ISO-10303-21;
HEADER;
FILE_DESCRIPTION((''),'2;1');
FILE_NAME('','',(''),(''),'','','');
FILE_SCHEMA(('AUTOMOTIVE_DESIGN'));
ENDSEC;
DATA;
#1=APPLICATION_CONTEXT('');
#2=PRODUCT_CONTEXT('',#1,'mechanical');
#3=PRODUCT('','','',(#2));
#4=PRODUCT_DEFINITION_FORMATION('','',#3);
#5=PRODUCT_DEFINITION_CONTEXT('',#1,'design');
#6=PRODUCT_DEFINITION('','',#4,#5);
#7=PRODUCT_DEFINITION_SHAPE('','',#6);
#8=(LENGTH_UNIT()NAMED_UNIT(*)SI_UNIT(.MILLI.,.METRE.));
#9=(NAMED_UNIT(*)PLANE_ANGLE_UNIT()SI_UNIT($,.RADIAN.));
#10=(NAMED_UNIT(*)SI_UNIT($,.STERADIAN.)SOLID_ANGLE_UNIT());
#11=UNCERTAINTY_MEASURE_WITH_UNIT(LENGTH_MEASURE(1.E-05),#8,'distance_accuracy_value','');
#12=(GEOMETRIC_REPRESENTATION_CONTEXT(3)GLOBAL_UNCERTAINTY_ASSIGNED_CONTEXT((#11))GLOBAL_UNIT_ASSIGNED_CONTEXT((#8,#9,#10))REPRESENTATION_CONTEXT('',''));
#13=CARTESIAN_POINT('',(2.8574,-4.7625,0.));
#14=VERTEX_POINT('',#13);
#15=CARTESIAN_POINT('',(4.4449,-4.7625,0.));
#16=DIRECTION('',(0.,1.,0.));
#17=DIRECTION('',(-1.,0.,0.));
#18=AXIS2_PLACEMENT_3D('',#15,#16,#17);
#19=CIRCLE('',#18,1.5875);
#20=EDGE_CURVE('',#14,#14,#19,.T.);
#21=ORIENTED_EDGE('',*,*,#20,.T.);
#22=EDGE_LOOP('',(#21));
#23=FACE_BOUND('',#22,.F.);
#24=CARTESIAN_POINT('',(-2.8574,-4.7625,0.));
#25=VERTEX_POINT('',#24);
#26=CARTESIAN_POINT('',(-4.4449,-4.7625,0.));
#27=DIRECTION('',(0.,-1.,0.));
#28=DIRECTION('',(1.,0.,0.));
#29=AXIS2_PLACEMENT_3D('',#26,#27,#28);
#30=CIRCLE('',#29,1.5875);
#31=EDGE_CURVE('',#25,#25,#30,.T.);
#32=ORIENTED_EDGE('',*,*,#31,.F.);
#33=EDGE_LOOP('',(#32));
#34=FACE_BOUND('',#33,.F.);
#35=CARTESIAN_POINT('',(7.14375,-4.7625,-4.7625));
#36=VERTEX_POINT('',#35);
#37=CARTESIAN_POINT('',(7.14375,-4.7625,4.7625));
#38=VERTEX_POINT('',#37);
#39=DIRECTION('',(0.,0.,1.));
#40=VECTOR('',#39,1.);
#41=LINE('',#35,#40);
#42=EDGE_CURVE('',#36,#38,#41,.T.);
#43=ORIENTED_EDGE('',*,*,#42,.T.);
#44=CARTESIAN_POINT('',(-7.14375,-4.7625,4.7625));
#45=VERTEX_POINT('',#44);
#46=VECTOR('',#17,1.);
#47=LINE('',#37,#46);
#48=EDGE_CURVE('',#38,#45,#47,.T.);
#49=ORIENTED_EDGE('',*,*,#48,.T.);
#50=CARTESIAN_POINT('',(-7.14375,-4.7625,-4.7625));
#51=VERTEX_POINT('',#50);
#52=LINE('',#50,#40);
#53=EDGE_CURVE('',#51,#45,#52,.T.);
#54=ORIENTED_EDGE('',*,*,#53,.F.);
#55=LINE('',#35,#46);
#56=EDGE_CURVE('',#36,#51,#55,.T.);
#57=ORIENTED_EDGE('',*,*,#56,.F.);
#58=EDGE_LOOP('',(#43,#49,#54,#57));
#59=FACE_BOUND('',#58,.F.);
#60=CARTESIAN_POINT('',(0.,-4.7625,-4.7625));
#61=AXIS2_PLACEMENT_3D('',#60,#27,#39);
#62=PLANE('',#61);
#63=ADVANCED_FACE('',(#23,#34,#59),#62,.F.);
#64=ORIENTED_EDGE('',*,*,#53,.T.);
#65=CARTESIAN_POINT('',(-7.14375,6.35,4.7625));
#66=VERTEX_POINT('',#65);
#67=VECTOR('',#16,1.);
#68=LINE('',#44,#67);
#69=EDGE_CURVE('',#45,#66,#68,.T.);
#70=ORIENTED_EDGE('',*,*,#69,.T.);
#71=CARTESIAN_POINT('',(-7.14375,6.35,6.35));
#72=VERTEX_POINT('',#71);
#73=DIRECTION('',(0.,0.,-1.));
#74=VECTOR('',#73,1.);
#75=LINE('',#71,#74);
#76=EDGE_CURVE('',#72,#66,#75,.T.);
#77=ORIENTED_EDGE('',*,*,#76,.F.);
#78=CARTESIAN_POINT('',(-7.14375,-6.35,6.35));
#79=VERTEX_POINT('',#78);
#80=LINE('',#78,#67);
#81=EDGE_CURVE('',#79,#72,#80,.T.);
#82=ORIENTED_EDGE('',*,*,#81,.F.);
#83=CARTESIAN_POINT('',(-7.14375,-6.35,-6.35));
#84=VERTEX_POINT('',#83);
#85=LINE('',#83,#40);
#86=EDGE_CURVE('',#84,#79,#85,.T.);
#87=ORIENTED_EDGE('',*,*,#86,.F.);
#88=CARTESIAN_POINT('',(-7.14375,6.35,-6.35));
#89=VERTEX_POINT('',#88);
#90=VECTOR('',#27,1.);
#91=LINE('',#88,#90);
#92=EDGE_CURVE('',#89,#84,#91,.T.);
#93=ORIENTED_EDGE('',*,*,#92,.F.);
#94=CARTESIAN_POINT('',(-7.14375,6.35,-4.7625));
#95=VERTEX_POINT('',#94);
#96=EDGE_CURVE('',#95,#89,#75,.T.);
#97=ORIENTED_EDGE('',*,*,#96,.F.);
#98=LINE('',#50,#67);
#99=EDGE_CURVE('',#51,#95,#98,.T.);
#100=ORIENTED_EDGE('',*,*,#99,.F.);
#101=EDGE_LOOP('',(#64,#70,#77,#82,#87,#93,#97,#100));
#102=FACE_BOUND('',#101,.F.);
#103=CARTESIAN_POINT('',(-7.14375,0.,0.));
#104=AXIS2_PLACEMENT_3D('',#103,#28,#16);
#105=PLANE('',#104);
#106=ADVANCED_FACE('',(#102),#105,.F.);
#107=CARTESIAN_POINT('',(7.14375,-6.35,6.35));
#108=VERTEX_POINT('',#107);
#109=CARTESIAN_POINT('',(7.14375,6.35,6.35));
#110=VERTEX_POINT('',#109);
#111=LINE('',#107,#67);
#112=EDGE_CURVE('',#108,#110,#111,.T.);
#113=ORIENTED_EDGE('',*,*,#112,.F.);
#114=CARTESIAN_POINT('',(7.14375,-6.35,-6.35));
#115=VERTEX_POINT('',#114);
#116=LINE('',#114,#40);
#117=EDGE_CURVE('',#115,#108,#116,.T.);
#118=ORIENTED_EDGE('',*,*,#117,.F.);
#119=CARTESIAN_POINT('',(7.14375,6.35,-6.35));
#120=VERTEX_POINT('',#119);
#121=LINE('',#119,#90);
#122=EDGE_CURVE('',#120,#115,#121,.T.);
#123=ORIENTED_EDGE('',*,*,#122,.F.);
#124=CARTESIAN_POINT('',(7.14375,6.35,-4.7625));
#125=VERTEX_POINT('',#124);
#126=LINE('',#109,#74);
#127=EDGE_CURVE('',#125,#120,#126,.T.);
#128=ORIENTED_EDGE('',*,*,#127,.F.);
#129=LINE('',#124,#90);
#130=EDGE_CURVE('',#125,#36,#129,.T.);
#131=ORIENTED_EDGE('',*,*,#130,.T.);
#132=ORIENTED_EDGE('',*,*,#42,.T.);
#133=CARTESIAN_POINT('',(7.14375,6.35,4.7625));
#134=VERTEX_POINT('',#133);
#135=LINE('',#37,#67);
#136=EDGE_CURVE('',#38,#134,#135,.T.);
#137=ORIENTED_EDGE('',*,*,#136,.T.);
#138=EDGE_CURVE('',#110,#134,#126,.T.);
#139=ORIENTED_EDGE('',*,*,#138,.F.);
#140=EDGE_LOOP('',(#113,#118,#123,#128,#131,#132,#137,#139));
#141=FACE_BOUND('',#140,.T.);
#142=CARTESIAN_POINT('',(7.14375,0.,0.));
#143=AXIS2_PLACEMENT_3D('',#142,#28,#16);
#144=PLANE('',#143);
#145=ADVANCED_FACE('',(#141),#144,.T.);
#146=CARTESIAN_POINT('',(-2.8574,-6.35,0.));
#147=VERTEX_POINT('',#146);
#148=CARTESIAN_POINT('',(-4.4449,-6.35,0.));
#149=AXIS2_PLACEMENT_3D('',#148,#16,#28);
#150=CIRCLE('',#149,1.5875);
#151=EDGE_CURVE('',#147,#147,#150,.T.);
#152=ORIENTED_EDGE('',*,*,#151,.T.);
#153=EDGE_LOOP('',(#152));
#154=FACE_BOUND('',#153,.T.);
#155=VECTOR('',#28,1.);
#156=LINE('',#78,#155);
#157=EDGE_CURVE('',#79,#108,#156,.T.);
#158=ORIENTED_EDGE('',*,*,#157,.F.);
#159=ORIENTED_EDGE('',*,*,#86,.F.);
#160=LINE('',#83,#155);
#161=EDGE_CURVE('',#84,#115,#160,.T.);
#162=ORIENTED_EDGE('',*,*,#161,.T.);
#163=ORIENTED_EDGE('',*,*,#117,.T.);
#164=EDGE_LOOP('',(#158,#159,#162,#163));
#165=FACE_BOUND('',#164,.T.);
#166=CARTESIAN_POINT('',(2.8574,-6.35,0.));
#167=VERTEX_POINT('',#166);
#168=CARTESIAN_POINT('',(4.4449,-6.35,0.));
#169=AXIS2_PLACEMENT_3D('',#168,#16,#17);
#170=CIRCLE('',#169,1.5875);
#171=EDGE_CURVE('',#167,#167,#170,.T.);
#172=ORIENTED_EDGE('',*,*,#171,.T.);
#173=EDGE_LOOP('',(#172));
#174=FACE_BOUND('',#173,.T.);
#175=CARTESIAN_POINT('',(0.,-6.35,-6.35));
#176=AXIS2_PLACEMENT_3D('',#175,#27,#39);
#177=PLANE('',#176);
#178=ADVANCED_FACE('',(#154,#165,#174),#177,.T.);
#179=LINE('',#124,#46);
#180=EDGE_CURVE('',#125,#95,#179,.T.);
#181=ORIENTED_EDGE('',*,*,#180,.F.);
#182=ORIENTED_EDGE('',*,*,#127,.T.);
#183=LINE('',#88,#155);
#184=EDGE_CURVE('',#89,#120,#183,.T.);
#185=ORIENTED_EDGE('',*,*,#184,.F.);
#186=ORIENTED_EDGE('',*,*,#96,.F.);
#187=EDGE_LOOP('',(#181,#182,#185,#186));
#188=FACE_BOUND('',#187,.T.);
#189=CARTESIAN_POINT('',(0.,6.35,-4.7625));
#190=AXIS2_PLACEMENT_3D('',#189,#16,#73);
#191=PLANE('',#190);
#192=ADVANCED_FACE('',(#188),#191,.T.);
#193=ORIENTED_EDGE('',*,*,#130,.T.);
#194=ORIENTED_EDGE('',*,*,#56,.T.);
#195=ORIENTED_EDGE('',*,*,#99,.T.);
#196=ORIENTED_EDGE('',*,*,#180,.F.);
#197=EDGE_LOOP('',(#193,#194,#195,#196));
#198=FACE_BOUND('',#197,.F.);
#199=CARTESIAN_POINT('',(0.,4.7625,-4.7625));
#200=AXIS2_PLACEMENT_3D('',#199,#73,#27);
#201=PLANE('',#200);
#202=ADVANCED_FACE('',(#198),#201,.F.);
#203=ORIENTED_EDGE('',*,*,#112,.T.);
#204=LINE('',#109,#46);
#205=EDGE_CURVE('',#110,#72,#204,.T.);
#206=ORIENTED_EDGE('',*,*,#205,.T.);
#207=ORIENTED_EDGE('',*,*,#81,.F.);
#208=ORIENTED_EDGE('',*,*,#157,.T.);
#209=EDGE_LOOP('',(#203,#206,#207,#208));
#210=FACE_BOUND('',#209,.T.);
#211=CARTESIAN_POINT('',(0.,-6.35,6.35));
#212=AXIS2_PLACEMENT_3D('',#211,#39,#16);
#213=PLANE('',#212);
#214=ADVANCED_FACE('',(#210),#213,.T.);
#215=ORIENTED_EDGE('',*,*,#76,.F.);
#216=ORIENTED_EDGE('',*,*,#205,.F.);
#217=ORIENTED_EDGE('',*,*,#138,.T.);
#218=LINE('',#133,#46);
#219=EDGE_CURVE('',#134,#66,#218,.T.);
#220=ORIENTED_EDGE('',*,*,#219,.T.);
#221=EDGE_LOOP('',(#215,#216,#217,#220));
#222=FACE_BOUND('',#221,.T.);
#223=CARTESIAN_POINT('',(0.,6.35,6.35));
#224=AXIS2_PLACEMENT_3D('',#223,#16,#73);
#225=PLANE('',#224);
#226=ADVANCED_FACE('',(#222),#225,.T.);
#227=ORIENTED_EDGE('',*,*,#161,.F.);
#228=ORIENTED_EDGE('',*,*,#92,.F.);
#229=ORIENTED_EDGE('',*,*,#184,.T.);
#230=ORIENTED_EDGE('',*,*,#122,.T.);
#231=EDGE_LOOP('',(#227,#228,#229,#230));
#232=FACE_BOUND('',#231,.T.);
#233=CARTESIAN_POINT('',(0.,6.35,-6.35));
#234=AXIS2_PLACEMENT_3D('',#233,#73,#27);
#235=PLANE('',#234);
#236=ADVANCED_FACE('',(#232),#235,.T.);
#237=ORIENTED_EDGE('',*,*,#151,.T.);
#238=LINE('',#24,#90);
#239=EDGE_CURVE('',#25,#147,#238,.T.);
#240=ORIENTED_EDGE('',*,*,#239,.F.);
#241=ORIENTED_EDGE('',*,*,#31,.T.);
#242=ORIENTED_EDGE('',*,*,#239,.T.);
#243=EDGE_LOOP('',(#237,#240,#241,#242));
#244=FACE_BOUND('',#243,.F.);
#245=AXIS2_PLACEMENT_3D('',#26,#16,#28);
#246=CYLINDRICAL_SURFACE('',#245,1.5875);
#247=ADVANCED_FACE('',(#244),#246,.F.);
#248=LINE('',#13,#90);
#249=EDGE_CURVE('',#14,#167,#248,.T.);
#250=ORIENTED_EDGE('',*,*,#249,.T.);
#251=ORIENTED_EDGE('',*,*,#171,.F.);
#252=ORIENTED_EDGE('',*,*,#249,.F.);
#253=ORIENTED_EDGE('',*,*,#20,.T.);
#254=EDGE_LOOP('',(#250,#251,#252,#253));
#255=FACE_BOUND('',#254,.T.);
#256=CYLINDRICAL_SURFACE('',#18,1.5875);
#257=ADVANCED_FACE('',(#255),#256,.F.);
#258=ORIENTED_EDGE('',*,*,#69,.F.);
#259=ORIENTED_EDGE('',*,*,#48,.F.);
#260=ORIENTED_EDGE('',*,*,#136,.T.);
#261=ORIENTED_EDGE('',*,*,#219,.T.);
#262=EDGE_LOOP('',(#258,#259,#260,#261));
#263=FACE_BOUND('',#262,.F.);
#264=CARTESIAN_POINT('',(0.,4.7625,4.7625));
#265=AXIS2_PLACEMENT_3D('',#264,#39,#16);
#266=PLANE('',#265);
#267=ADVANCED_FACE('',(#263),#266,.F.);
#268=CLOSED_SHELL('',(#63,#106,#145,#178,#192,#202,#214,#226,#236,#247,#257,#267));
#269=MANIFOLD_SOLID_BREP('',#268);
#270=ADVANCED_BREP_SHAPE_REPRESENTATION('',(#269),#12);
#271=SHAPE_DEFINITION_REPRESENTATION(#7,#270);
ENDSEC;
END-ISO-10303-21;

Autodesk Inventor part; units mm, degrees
ref_plane "YZ Plane" through (0, 0, 0) normal (1, 0, 0) x (0, 1, 0)
ref_plane "XZ Plane" through (0, 0, 0) normal (0, 1, 0) x (-1, 0, 0)
ref_plane "XY Plane" through (0, 0, 0) normal (0, 0, 1) x (1, 0, 0)
sketch "Sketch2" plane through (0, 0, 0) normal (1, 0, 0) x (0, 1, 0)
  line L0 (-6.35, 6.35) -> (6.35, 6.35)
  line L1 (6.35, 6.35) -> (6.35, -6.35)
  line L2 (6.35, -6.35) -> (-6.35, -6.35)
  line L3 (-6.35, -6.35) -> (-6.35, 6.35)
  line L4 (-6.35, 6.35) -> (6.35, -6.35) construction
  line L5 (6.35, 6.35) -> (-6.35, -6.35) construction
  line L6 (-4.7625, 4.7625) -> (4.7625, 4.7625)
  line L7 (4.7625, 4.7625) -> (4.7625, -4.7625)
  line L8 (4.7625, -4.7625) -> (-4.7625, -4.7625)
  line L9 (-4.7625, -4.7625) -> (-4.7625, 4.7625)
  line L10 (-4.7625, 4.7625) -> (4.7625, -4.7625) construction
  line L11 (4.7625, 4.7625) -> (-4.7625, -4.7625) construction
  line L12 (4.7625, 4.7625) -> (6.35, 4.7625)
  line L13 (4.7625, -4.7625) -> (6.35, -4.7625)
  point P0 (0, 0)
  dimension "d0" = 12.7
  dimension "d1" = 12.7
  dimension "d2" = 9.525
  dimension "d3" = 9.525
extrude "Extrusion1" add sketch "Sketch2" along normal mid plane 14.2875 contours L0 L1 L12 L6 L9 L8 L13 L2 L3
sketch "Sketch3" plane through (-7.1437, -4.7625, 4.7625) normal (0, 1, 0) x (1, 0, 0)
  line L0 (0, 0) -> (14.2875, 0) projected
  line L1 (14.2875, 9.525) -> (14.2875, 0) projected
  line L2 (0, 9.525) -> (14.2875, 9.525) projected
  line L3 (0, 0) -> (0, 9.525) projected
  line L4 (-2.8575, 4.7625) -> (17.145, 4.7625) projected
  line L5 (7.1437, 13.6525) -> (7.1437, -4.1275) projected
  circle A0 centre (2.6988, 4.7625) radius 1.5875
  point P0 (7.1437, 4.7625)
  dimension "d6" = 3.175
  dimension "d7" = 4.445
extrude "Extrusion2" cut sketch "Sketch3" against normal through all contours A0 L4 | L4 A0
mirror "Mirror1" about plane through (0, 0, 0) normal (1, 0, 0) of "Extrusion2"
properties part number "halfinchCChannel"
